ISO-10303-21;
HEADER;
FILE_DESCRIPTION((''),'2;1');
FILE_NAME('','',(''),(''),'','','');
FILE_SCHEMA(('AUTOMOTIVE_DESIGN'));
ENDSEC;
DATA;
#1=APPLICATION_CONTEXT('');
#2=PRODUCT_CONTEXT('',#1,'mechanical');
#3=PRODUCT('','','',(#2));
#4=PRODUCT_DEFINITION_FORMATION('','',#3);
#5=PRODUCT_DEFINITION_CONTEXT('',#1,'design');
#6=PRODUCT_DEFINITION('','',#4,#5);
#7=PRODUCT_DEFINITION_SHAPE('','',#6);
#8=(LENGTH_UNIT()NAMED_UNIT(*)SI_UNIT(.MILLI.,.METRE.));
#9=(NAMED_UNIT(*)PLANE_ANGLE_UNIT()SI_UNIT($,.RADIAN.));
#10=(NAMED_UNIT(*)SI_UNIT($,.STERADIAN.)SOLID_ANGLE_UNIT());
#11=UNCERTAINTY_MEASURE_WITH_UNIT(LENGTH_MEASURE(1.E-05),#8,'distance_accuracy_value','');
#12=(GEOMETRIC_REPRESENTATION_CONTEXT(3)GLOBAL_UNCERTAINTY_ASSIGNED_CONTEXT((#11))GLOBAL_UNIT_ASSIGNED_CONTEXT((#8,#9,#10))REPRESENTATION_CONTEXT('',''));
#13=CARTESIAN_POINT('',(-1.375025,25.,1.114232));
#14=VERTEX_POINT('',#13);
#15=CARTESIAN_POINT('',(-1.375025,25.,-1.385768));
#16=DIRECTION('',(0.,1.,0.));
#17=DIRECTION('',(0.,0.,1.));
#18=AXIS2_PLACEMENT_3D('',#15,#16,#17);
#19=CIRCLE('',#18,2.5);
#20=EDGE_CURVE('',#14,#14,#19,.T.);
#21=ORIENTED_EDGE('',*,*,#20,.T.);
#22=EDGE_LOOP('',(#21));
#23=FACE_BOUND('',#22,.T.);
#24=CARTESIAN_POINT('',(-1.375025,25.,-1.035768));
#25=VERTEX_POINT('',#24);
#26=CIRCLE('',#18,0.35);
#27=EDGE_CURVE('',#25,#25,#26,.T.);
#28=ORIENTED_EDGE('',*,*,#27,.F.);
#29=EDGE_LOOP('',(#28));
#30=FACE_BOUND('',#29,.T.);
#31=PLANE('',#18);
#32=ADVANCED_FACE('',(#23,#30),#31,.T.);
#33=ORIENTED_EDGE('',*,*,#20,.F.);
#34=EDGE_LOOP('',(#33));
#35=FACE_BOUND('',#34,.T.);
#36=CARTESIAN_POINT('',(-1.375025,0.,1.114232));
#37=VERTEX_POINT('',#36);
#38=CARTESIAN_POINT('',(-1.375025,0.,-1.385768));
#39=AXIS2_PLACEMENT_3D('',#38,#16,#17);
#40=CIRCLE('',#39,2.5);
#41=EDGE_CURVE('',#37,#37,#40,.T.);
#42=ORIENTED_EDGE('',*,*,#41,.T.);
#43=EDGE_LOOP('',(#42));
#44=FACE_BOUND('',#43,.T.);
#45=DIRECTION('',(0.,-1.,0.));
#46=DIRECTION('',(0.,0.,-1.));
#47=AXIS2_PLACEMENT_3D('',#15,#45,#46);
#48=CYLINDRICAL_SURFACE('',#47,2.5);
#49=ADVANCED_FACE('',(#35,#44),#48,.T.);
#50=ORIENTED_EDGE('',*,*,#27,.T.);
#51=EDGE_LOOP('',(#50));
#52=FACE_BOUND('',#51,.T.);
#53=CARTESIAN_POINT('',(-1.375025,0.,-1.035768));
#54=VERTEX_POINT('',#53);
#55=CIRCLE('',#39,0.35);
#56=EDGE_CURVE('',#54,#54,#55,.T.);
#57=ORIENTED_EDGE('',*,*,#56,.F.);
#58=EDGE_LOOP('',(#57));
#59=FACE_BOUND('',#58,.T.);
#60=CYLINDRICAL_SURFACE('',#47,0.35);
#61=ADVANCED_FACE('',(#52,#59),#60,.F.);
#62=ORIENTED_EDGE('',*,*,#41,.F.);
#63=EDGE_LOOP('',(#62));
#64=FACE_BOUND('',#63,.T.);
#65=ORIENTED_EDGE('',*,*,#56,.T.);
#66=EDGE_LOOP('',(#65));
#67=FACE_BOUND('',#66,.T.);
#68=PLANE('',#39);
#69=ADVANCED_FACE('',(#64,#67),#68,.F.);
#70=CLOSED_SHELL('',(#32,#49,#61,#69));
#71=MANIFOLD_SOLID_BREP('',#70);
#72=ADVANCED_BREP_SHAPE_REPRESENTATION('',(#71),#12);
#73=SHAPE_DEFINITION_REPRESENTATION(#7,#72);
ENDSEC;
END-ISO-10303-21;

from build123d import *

# Parameters (mm, degrees)
SKETCH_1_R      = 2.5
SKETCH_1_R_2    = 0.35
EXTRUDE_3_DEPTH = 25


with BuildPart() as part:
    # Эскиз1 → Бобышка-Вытянуть3 (new body)
    with BuildSketch(Plane(origin=(0, 0, 0), x_dir=(1, 0, 0), z_dir=(0, 1, 0))):
        with Locations((-1.375025178, 1.385767562)):
            Circle(SKETCH_1_R)
        with Locations((-1.375025178, 1.385767562)):
            Circle(SKETCH_1_R_2, mode=Mode.SUBTRACT)
    extrude(amount=EXTRUDE_3_DEPTH)


solid = part.part
